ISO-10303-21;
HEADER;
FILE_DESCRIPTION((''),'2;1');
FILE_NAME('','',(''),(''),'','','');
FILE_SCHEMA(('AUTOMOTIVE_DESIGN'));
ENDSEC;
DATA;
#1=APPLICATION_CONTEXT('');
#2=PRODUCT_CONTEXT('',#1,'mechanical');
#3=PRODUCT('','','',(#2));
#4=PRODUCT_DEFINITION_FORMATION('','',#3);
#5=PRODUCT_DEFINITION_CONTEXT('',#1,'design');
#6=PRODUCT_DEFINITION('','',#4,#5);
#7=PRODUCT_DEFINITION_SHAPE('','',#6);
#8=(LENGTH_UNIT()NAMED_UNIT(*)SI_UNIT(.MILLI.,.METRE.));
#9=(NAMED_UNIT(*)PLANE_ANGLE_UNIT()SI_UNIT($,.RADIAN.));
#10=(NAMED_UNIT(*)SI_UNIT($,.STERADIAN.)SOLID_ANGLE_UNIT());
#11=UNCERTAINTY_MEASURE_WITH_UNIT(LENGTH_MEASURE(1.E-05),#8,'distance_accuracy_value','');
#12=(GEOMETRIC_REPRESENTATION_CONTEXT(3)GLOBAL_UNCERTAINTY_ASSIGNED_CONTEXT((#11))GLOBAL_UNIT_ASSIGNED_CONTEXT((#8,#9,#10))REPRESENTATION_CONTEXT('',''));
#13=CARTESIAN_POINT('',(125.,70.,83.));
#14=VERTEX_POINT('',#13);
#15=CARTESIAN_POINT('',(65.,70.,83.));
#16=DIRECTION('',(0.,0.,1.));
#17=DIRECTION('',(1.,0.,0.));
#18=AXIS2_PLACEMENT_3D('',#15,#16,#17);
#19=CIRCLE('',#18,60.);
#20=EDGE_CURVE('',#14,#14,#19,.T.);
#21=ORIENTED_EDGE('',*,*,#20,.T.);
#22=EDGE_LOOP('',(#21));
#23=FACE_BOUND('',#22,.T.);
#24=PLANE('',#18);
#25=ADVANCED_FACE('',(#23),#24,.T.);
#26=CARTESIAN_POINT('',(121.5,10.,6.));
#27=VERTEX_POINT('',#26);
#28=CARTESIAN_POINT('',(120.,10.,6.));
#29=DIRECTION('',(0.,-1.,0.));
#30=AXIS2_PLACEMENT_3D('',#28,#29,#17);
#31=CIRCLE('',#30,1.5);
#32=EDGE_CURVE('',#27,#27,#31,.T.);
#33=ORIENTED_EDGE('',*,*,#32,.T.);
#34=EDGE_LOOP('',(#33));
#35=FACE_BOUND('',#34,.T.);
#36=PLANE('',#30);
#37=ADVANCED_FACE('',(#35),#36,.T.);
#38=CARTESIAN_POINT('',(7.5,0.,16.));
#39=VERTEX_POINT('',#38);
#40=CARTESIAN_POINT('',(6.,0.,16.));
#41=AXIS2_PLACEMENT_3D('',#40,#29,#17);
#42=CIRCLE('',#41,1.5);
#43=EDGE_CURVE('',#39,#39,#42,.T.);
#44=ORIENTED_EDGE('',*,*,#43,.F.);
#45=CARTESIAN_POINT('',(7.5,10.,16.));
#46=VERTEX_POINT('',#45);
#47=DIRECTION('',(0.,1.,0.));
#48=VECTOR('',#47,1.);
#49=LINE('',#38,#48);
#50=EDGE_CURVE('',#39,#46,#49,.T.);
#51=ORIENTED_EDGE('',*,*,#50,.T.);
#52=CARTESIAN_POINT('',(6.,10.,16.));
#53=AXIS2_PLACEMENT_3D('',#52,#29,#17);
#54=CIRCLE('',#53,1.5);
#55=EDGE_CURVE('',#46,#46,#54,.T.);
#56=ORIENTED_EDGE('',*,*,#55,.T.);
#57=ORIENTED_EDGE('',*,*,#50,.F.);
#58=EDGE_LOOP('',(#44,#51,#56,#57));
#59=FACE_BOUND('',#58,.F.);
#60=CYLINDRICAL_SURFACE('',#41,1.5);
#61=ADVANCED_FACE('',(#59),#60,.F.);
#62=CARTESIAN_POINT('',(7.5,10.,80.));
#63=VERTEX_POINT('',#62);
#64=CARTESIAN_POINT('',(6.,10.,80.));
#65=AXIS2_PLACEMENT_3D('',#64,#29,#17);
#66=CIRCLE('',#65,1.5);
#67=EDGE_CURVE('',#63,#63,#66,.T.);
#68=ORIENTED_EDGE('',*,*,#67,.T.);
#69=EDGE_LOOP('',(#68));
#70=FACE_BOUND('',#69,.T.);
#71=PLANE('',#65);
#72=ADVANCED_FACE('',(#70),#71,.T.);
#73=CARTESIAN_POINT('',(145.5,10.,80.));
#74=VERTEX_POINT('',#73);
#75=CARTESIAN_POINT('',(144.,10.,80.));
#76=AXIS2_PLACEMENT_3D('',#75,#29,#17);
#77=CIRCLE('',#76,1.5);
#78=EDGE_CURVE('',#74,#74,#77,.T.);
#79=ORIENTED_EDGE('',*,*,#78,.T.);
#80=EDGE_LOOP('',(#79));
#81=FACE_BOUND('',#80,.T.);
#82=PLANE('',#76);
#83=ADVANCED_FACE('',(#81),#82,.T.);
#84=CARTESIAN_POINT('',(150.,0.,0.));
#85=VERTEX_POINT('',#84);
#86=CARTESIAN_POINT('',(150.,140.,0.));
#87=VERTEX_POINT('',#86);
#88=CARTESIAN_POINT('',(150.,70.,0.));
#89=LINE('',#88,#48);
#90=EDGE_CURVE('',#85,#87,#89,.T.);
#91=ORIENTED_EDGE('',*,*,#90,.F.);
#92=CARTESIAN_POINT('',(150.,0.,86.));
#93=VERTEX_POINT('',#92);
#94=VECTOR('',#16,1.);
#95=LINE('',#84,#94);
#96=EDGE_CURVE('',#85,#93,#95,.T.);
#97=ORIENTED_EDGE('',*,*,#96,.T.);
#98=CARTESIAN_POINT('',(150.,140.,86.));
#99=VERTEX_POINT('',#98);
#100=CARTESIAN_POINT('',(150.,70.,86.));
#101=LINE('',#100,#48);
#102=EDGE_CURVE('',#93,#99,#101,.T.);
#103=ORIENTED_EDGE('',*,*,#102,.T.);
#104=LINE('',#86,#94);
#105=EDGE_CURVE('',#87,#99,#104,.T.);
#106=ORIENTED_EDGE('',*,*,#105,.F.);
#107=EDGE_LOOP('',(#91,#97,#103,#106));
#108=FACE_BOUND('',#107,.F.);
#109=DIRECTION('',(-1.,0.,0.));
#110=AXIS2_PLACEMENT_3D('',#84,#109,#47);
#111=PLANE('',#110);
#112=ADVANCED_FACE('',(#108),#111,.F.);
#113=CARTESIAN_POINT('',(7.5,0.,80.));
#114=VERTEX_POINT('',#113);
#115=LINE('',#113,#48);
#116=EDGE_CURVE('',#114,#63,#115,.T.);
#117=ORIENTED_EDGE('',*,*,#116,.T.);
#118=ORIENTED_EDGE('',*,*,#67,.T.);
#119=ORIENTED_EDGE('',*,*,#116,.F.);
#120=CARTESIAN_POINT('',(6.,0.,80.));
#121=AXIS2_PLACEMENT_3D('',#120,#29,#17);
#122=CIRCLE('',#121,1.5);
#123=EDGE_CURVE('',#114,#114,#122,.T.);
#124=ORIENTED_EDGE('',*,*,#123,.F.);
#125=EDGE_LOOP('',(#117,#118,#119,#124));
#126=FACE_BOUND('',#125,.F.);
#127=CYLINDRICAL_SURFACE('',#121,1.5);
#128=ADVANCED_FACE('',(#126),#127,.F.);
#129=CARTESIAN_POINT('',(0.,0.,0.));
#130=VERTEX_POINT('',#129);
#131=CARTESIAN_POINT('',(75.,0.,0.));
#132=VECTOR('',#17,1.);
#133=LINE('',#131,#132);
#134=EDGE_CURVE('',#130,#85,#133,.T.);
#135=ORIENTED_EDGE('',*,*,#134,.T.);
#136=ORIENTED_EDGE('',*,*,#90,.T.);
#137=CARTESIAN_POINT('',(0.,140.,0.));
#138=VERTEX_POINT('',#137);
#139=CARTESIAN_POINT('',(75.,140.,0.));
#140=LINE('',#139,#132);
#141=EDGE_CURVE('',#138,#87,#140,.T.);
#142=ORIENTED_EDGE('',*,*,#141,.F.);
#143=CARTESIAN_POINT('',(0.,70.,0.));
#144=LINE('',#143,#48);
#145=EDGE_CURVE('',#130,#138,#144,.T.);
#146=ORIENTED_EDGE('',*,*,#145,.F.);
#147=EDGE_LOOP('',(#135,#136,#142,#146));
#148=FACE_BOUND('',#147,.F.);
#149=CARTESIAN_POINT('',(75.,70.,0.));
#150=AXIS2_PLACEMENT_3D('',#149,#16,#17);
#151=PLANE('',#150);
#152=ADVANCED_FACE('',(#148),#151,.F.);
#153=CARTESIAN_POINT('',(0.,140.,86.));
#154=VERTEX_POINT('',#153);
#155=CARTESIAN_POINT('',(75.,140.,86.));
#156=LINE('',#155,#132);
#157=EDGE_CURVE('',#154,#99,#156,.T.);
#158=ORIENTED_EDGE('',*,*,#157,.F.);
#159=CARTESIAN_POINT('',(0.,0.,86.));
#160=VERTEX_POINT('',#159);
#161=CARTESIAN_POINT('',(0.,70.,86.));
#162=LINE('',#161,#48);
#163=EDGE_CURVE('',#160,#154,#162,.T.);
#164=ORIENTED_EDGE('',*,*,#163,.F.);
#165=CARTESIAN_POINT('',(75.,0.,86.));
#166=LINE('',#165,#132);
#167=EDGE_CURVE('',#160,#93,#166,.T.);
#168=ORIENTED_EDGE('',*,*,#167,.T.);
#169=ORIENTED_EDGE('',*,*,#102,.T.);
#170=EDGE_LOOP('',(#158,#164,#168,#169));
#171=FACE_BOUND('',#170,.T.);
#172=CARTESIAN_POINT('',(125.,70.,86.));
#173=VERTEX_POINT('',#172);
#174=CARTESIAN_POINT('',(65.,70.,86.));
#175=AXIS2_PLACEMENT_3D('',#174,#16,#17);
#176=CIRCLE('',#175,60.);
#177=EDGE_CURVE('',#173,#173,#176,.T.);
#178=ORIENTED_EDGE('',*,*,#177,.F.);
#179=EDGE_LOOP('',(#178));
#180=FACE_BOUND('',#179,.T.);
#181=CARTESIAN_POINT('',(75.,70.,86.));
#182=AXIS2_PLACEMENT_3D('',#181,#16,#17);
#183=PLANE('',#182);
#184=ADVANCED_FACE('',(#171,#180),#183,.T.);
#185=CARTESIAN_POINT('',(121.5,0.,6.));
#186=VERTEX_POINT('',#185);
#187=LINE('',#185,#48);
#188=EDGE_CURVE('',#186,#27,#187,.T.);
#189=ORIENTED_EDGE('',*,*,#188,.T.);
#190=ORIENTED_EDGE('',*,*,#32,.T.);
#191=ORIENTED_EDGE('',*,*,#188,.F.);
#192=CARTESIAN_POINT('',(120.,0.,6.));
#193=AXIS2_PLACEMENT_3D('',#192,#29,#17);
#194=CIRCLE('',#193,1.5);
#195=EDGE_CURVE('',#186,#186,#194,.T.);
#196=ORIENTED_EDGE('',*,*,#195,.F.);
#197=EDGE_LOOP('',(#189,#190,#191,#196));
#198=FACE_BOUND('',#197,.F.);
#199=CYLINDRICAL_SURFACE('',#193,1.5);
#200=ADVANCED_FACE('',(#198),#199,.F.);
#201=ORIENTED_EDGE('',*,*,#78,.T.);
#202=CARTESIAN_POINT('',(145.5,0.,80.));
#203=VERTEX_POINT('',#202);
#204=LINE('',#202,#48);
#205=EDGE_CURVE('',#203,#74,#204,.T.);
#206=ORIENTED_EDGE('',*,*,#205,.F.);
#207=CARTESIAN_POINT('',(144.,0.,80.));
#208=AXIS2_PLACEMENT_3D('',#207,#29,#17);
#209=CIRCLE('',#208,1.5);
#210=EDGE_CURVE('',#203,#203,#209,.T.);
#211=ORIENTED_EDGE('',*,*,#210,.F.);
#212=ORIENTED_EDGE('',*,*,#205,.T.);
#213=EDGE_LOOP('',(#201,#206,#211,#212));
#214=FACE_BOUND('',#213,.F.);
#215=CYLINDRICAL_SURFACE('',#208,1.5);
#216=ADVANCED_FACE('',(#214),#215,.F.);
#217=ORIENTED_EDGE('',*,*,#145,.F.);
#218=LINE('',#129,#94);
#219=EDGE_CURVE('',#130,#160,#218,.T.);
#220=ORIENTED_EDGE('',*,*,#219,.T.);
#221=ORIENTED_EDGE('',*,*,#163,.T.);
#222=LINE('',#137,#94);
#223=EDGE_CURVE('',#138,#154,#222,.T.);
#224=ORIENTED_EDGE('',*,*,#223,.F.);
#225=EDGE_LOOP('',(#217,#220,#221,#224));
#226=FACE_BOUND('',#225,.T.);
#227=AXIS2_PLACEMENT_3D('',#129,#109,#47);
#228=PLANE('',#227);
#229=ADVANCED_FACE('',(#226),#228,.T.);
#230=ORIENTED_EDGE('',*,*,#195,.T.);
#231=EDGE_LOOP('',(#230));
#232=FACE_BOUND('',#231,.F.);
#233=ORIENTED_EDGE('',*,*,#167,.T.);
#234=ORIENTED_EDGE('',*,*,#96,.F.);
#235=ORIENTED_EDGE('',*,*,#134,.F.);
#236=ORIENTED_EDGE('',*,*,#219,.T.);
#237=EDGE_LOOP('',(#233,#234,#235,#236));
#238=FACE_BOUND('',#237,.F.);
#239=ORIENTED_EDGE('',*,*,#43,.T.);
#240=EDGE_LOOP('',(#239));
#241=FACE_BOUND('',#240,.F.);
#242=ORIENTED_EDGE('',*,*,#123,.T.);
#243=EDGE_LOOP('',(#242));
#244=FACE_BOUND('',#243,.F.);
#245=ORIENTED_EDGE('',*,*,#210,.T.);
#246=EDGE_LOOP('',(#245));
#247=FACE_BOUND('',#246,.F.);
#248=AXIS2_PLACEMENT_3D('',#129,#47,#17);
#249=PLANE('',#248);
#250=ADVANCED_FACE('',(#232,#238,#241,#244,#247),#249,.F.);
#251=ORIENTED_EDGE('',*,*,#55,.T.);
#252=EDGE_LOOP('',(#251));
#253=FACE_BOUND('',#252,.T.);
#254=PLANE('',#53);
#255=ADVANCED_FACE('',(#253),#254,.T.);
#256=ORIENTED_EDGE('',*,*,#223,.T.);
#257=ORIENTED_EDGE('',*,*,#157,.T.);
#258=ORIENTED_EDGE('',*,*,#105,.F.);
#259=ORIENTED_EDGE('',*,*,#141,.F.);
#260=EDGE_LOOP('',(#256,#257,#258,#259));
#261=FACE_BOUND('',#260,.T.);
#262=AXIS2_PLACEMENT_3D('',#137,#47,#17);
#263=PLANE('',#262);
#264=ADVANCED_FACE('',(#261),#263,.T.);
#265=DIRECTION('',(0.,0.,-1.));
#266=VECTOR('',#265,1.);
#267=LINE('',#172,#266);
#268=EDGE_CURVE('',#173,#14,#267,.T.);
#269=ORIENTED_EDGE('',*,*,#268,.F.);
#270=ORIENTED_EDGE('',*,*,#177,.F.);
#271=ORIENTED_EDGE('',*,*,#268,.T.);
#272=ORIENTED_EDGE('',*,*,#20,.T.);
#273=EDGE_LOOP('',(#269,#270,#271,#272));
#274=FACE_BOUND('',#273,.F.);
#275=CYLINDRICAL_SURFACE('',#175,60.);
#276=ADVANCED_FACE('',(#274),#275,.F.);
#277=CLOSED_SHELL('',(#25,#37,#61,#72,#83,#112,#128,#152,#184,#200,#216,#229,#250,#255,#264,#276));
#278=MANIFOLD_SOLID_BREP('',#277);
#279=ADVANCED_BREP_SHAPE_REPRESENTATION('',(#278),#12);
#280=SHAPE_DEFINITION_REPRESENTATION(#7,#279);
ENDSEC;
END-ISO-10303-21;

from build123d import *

# Parameters (mm, degrees)
F0_W     = 150
F0_H     = 140
F1_DEPTH = 86
F2_R     = 1.5
F3_DEPTH = 10
F4_R     = 60
F5_DEPTH = 3


with BuildPart() as f1:
    # F0 (on Top) → F1 (new body)
    with BuildSketch(Plane.XY):
        with Locations((75, 70)):
            Rectangle(F0_W, F0_H)
    extrude(amount=F1_DEPTH)

    # F2 (on face) → F3 (cut)
    with BuildSketch(Plane.XZ):
        with Locations((6, 80)):
            Circle(F2_R)
        with Locations((6, 16)):
            Circle(F2_R)
        with Locations((144, 80)):
            Circle(F2_R)
        with Locations((120, 6)):
            Circle(F2_R)
    extrude(amount=-F3_DEPTH, mode=Mode.SUBTRACT)

    # F4 (on face) → F5 (cut)
    with BuildSketch(Plane.XY.offset(86)):
        with Locations((65, 70)):
            Circle(F4_R)
    extrude(amount=-F5_DEPTH, mode=Mode.SUBTRACT)


solid = f1.part
